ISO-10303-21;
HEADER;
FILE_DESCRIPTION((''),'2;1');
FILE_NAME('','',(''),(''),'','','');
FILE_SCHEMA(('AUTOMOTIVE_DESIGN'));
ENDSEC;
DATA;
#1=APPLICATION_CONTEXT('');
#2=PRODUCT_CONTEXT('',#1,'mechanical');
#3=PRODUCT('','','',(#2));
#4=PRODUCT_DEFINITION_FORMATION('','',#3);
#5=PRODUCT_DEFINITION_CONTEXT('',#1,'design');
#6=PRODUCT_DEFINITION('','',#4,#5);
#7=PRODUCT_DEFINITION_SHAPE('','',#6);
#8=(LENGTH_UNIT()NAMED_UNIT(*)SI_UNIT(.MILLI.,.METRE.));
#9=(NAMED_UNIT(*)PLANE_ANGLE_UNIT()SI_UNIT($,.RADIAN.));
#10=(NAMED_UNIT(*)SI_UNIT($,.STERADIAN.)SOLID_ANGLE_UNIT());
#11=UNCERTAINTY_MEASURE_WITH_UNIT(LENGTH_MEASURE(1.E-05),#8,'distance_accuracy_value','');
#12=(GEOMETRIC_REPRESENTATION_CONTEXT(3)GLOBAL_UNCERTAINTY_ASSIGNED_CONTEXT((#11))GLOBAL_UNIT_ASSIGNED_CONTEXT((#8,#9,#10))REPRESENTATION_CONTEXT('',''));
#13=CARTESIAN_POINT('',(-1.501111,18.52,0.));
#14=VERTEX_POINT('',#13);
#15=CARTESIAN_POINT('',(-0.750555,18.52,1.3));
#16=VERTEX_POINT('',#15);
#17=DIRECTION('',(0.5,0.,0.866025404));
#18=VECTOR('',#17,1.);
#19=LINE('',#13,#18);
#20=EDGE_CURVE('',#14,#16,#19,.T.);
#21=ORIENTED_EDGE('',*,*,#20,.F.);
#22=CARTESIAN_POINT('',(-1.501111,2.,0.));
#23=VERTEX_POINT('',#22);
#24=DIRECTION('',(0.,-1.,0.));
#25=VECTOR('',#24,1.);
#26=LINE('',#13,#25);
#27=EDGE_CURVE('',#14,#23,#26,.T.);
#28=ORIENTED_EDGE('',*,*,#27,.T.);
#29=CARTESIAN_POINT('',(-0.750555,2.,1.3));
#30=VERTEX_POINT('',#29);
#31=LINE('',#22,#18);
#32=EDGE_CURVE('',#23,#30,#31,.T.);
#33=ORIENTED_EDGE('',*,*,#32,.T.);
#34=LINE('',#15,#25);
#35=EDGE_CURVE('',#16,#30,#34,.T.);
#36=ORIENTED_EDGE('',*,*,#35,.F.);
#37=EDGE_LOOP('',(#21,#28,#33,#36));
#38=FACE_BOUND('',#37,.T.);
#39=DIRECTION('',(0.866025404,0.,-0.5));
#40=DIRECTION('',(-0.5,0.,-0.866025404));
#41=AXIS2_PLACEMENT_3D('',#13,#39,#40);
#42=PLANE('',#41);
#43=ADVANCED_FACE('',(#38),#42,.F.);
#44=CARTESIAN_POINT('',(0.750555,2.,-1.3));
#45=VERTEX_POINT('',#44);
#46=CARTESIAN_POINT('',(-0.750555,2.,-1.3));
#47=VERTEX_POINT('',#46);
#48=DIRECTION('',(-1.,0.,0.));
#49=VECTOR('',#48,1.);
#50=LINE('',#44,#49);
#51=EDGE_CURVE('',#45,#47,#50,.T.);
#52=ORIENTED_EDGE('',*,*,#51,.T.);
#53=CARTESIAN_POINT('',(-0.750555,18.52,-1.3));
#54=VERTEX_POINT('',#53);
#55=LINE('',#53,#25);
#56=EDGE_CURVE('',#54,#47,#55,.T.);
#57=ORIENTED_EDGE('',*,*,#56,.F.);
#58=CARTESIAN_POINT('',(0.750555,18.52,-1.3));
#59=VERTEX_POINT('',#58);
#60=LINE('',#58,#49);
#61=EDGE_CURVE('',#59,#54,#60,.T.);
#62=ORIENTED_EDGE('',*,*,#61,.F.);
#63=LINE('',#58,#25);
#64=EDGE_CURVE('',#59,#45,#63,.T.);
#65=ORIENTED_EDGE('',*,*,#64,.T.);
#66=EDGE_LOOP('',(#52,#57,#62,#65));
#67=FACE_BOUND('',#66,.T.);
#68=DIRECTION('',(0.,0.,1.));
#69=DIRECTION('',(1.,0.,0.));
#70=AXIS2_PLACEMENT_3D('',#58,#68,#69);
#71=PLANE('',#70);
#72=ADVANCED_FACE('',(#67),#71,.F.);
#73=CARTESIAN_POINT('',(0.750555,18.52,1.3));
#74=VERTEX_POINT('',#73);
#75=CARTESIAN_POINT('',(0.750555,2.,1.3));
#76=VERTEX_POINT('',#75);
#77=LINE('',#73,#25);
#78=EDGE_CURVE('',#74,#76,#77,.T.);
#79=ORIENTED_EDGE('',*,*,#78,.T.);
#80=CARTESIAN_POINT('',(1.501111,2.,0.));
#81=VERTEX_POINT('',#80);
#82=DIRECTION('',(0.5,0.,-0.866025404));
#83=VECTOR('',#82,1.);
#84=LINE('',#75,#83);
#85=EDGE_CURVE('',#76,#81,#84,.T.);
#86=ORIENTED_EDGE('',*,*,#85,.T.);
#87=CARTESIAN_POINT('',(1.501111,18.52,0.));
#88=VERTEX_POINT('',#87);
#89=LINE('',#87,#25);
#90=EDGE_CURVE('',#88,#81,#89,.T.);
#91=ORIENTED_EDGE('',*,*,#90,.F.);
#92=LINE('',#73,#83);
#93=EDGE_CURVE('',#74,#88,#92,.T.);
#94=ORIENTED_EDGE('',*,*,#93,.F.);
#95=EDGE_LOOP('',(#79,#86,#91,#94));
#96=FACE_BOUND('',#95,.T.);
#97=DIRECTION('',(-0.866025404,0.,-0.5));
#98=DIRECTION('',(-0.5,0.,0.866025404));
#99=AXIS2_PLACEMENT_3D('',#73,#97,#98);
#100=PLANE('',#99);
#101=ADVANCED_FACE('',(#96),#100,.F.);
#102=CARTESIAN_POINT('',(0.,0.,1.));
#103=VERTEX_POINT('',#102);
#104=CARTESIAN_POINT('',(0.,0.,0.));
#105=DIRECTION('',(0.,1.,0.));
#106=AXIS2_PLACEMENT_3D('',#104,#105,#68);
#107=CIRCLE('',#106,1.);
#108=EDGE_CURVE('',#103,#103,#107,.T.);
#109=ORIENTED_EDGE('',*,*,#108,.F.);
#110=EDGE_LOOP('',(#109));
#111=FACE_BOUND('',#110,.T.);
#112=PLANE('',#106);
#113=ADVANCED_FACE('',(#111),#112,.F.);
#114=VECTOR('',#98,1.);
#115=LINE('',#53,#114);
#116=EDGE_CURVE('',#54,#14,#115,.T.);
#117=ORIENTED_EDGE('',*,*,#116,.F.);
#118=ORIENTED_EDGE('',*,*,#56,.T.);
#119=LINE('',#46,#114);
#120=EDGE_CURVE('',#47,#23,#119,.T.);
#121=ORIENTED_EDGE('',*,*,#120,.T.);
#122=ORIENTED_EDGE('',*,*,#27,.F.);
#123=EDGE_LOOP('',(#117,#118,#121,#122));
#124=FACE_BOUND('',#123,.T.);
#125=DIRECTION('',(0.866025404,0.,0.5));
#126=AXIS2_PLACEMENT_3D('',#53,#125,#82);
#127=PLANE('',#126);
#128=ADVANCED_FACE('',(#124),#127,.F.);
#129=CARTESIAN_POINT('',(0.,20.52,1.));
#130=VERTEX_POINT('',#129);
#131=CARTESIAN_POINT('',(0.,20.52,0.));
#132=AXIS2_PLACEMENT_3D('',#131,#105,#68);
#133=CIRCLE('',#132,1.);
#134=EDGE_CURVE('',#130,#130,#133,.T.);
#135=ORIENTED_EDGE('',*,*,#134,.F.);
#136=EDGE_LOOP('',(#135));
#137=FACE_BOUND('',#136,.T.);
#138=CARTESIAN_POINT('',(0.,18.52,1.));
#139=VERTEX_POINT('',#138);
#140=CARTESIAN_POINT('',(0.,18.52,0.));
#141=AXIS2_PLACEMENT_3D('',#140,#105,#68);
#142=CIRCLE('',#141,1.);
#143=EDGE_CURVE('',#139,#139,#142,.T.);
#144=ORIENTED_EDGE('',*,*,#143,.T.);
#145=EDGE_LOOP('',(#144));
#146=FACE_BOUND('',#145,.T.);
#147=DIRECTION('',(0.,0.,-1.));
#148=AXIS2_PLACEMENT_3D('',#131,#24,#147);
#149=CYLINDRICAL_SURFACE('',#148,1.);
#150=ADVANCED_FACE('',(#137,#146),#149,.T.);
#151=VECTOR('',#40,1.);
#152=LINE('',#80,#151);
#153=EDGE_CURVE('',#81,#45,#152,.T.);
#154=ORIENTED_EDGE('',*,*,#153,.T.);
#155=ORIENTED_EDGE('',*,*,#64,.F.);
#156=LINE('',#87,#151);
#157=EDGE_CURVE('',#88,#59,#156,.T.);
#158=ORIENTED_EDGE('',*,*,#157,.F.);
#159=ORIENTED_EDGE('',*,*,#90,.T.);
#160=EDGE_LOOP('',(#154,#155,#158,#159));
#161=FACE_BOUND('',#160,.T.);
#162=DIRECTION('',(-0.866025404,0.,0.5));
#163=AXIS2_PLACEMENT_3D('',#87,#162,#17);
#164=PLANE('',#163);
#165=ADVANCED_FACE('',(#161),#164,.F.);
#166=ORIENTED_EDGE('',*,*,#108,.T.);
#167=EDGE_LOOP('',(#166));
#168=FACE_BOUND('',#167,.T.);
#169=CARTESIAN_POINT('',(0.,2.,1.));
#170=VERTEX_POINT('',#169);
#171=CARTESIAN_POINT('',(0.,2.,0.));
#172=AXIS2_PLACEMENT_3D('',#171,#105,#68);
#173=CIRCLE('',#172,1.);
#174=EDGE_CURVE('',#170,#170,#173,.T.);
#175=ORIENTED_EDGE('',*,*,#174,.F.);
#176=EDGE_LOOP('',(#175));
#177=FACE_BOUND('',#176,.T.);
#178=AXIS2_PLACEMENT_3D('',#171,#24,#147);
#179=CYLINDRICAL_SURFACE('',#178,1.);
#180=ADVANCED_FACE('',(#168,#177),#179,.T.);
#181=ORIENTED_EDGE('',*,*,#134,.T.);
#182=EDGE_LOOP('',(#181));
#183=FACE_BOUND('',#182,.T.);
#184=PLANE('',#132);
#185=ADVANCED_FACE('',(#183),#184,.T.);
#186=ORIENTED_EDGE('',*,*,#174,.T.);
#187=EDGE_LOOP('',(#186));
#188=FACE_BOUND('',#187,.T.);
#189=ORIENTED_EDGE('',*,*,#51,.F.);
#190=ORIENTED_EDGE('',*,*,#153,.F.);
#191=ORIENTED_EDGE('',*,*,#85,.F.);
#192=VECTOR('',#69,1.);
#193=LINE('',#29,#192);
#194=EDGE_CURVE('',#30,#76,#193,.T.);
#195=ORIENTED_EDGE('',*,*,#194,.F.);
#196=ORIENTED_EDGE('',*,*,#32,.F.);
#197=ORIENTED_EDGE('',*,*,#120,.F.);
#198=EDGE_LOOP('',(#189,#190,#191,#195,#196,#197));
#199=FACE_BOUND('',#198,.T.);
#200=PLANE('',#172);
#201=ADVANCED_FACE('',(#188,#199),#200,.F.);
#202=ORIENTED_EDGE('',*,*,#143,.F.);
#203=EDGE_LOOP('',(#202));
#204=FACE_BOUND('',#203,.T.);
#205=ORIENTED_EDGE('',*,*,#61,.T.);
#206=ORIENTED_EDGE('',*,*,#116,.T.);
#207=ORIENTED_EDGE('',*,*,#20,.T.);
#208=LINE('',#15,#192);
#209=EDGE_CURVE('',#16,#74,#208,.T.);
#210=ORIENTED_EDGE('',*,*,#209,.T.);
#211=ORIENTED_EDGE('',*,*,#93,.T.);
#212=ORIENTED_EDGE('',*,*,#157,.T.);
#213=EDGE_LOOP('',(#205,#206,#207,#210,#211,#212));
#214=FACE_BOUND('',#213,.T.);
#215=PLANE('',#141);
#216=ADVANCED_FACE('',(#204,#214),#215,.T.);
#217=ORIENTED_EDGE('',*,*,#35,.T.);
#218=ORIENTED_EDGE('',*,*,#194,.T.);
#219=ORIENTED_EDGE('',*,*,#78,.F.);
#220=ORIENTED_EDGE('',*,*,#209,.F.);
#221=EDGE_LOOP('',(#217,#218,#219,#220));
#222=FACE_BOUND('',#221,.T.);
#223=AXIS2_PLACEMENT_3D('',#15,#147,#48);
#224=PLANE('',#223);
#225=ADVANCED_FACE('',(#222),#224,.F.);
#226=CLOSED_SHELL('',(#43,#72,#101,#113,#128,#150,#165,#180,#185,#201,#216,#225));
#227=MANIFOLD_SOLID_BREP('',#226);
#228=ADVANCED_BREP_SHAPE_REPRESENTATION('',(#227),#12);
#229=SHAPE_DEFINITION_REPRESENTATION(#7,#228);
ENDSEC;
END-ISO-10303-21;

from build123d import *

# Parameters (mm, degrees)
SKETCH_1_R      = 1
EXTRUDE_1_DEPTH = 2
EXTRUDE_2_DEPTH = 16.52
SKETCH_3_R      = 1
EXTRUDE_3_DEPTH = 2


with BuildPart() as part:
    # 草图1 → 凸台-拉伸1 (new body)
    with BuildSketch(Plane(origin=(0, 0, 0), x_dir=(1, 0, 0), z_dir=(0, 1, 0))):
        with Locations(Location((0, 0, 0), (0, 0, 270))):
            Circle(SKETCH_1_R)
    extrude(amount=EXTRUDE_1_DEPTH)

    # 草图2 → 凸台-拉伸2 (add)
    with BuildSketch(Plane(origin=(0, 2, 0), x_dir=(1, 0, 0), z_dir=(0, 1, 0))):
        Polygon((1.5011107, 0), (0.75055535, 1.3), (-0.75055535, 1.3), (-1.5011107, 0), (-0.75055535, -1.3), (0.75055535, -1.3), align=None)
    extrude(amount=EXTRUDE_2_DEPTH)

    # 草图3 → 凸台-拉伸3 (add)
    with BuildSketch(Plane(origin=(0, 18.52, 0), x_dir=(1, 0, 0), z_dir=(0, 1, 0))):
        with Locations(Location((0, 0, 0), (0, 0, 270))):
            Circle(SKETCH_3_R)
    extrude(amount=EXTRUDE_3_DEPTH)


solid = part.part
